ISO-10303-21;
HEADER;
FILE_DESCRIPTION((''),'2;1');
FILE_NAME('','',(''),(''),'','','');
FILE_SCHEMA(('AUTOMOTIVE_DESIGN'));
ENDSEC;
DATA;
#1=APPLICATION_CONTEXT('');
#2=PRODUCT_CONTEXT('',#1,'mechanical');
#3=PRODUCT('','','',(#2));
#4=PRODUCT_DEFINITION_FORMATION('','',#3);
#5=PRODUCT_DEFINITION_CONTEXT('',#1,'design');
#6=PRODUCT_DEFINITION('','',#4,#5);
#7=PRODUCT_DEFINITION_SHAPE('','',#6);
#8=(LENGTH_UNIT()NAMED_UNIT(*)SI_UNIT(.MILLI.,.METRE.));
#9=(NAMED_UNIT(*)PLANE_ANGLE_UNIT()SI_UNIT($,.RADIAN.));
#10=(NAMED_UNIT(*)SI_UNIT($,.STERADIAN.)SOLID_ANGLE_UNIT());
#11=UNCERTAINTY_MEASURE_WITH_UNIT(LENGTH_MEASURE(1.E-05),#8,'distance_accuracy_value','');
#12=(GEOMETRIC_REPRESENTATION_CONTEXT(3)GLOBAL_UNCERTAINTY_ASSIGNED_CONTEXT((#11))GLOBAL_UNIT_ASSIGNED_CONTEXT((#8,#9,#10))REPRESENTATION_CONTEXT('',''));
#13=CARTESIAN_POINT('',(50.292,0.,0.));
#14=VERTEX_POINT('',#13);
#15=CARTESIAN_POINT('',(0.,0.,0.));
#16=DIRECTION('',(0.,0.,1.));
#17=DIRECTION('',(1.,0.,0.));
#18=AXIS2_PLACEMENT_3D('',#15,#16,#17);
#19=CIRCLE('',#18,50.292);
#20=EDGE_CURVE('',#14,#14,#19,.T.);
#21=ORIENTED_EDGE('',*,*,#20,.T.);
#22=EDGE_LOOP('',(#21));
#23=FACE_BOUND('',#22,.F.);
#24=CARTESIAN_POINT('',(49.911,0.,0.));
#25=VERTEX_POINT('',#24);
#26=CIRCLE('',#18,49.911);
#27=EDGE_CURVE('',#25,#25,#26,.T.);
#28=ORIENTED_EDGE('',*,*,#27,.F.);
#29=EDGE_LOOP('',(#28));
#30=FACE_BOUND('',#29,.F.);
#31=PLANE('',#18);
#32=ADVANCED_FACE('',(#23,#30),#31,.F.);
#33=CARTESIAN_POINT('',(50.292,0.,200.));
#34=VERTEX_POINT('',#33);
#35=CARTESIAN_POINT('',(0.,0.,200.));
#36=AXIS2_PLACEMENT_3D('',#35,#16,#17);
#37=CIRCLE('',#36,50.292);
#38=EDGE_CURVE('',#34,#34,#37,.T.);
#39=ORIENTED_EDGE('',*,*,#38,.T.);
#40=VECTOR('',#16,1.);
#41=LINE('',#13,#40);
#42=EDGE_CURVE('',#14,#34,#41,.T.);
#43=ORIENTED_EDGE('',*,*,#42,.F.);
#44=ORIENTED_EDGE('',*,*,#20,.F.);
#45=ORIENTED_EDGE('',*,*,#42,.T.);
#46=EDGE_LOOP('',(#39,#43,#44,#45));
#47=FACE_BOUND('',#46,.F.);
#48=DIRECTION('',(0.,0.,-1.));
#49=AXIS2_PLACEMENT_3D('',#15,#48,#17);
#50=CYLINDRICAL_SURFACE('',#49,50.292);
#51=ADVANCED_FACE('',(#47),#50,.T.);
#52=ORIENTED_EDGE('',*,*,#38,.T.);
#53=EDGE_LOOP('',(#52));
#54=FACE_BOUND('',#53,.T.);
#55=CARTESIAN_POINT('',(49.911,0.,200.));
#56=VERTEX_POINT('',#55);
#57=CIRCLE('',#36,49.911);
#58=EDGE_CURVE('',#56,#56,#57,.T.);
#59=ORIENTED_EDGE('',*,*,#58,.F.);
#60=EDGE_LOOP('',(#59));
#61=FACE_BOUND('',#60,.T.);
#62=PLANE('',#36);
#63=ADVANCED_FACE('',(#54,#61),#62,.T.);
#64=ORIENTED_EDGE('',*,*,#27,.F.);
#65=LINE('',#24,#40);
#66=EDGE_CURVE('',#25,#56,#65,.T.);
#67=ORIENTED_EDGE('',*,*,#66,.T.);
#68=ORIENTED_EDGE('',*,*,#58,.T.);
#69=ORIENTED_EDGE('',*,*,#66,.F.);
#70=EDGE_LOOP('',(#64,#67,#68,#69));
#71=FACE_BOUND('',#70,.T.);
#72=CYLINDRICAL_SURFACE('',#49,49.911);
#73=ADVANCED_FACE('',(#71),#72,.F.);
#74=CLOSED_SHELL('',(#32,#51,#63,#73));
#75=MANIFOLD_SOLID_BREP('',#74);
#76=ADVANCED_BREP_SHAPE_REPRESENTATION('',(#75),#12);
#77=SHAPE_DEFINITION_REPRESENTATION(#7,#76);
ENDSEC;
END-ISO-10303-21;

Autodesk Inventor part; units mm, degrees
ref_plane "YZ Plane" through (0, 0, 0) normal (1, 0, 0) x (0, 1, 0)
ref_plane "XZ Plane" through (0, 0, 0) normal (0, 1, 0) x (-1, 0, 0)
ref_plane "XY Plane" through (0, 0, 0) normal (0, 0, 1) x (1, 0, 0)
sketch "Sketch1" plane through (0, 0, 0) normal (0, 0, 1) x (1, 0, 0)
  point P0 (0, 0)
sketch "Sketch2" plane through (0, 0, 0) normal (0, 0, 1) x (1, 0, 0)
  circle A0 centre (0, 0) radius 50.292
  circle A1 centre (0, 0) radius 49.911
  dimension "d0" = 100.584
  dimension "d1" = 99.822
extrude "Extrusion1" add sketch "Sketch2" along normal blind 200
properties part number "Petriplate holder"
